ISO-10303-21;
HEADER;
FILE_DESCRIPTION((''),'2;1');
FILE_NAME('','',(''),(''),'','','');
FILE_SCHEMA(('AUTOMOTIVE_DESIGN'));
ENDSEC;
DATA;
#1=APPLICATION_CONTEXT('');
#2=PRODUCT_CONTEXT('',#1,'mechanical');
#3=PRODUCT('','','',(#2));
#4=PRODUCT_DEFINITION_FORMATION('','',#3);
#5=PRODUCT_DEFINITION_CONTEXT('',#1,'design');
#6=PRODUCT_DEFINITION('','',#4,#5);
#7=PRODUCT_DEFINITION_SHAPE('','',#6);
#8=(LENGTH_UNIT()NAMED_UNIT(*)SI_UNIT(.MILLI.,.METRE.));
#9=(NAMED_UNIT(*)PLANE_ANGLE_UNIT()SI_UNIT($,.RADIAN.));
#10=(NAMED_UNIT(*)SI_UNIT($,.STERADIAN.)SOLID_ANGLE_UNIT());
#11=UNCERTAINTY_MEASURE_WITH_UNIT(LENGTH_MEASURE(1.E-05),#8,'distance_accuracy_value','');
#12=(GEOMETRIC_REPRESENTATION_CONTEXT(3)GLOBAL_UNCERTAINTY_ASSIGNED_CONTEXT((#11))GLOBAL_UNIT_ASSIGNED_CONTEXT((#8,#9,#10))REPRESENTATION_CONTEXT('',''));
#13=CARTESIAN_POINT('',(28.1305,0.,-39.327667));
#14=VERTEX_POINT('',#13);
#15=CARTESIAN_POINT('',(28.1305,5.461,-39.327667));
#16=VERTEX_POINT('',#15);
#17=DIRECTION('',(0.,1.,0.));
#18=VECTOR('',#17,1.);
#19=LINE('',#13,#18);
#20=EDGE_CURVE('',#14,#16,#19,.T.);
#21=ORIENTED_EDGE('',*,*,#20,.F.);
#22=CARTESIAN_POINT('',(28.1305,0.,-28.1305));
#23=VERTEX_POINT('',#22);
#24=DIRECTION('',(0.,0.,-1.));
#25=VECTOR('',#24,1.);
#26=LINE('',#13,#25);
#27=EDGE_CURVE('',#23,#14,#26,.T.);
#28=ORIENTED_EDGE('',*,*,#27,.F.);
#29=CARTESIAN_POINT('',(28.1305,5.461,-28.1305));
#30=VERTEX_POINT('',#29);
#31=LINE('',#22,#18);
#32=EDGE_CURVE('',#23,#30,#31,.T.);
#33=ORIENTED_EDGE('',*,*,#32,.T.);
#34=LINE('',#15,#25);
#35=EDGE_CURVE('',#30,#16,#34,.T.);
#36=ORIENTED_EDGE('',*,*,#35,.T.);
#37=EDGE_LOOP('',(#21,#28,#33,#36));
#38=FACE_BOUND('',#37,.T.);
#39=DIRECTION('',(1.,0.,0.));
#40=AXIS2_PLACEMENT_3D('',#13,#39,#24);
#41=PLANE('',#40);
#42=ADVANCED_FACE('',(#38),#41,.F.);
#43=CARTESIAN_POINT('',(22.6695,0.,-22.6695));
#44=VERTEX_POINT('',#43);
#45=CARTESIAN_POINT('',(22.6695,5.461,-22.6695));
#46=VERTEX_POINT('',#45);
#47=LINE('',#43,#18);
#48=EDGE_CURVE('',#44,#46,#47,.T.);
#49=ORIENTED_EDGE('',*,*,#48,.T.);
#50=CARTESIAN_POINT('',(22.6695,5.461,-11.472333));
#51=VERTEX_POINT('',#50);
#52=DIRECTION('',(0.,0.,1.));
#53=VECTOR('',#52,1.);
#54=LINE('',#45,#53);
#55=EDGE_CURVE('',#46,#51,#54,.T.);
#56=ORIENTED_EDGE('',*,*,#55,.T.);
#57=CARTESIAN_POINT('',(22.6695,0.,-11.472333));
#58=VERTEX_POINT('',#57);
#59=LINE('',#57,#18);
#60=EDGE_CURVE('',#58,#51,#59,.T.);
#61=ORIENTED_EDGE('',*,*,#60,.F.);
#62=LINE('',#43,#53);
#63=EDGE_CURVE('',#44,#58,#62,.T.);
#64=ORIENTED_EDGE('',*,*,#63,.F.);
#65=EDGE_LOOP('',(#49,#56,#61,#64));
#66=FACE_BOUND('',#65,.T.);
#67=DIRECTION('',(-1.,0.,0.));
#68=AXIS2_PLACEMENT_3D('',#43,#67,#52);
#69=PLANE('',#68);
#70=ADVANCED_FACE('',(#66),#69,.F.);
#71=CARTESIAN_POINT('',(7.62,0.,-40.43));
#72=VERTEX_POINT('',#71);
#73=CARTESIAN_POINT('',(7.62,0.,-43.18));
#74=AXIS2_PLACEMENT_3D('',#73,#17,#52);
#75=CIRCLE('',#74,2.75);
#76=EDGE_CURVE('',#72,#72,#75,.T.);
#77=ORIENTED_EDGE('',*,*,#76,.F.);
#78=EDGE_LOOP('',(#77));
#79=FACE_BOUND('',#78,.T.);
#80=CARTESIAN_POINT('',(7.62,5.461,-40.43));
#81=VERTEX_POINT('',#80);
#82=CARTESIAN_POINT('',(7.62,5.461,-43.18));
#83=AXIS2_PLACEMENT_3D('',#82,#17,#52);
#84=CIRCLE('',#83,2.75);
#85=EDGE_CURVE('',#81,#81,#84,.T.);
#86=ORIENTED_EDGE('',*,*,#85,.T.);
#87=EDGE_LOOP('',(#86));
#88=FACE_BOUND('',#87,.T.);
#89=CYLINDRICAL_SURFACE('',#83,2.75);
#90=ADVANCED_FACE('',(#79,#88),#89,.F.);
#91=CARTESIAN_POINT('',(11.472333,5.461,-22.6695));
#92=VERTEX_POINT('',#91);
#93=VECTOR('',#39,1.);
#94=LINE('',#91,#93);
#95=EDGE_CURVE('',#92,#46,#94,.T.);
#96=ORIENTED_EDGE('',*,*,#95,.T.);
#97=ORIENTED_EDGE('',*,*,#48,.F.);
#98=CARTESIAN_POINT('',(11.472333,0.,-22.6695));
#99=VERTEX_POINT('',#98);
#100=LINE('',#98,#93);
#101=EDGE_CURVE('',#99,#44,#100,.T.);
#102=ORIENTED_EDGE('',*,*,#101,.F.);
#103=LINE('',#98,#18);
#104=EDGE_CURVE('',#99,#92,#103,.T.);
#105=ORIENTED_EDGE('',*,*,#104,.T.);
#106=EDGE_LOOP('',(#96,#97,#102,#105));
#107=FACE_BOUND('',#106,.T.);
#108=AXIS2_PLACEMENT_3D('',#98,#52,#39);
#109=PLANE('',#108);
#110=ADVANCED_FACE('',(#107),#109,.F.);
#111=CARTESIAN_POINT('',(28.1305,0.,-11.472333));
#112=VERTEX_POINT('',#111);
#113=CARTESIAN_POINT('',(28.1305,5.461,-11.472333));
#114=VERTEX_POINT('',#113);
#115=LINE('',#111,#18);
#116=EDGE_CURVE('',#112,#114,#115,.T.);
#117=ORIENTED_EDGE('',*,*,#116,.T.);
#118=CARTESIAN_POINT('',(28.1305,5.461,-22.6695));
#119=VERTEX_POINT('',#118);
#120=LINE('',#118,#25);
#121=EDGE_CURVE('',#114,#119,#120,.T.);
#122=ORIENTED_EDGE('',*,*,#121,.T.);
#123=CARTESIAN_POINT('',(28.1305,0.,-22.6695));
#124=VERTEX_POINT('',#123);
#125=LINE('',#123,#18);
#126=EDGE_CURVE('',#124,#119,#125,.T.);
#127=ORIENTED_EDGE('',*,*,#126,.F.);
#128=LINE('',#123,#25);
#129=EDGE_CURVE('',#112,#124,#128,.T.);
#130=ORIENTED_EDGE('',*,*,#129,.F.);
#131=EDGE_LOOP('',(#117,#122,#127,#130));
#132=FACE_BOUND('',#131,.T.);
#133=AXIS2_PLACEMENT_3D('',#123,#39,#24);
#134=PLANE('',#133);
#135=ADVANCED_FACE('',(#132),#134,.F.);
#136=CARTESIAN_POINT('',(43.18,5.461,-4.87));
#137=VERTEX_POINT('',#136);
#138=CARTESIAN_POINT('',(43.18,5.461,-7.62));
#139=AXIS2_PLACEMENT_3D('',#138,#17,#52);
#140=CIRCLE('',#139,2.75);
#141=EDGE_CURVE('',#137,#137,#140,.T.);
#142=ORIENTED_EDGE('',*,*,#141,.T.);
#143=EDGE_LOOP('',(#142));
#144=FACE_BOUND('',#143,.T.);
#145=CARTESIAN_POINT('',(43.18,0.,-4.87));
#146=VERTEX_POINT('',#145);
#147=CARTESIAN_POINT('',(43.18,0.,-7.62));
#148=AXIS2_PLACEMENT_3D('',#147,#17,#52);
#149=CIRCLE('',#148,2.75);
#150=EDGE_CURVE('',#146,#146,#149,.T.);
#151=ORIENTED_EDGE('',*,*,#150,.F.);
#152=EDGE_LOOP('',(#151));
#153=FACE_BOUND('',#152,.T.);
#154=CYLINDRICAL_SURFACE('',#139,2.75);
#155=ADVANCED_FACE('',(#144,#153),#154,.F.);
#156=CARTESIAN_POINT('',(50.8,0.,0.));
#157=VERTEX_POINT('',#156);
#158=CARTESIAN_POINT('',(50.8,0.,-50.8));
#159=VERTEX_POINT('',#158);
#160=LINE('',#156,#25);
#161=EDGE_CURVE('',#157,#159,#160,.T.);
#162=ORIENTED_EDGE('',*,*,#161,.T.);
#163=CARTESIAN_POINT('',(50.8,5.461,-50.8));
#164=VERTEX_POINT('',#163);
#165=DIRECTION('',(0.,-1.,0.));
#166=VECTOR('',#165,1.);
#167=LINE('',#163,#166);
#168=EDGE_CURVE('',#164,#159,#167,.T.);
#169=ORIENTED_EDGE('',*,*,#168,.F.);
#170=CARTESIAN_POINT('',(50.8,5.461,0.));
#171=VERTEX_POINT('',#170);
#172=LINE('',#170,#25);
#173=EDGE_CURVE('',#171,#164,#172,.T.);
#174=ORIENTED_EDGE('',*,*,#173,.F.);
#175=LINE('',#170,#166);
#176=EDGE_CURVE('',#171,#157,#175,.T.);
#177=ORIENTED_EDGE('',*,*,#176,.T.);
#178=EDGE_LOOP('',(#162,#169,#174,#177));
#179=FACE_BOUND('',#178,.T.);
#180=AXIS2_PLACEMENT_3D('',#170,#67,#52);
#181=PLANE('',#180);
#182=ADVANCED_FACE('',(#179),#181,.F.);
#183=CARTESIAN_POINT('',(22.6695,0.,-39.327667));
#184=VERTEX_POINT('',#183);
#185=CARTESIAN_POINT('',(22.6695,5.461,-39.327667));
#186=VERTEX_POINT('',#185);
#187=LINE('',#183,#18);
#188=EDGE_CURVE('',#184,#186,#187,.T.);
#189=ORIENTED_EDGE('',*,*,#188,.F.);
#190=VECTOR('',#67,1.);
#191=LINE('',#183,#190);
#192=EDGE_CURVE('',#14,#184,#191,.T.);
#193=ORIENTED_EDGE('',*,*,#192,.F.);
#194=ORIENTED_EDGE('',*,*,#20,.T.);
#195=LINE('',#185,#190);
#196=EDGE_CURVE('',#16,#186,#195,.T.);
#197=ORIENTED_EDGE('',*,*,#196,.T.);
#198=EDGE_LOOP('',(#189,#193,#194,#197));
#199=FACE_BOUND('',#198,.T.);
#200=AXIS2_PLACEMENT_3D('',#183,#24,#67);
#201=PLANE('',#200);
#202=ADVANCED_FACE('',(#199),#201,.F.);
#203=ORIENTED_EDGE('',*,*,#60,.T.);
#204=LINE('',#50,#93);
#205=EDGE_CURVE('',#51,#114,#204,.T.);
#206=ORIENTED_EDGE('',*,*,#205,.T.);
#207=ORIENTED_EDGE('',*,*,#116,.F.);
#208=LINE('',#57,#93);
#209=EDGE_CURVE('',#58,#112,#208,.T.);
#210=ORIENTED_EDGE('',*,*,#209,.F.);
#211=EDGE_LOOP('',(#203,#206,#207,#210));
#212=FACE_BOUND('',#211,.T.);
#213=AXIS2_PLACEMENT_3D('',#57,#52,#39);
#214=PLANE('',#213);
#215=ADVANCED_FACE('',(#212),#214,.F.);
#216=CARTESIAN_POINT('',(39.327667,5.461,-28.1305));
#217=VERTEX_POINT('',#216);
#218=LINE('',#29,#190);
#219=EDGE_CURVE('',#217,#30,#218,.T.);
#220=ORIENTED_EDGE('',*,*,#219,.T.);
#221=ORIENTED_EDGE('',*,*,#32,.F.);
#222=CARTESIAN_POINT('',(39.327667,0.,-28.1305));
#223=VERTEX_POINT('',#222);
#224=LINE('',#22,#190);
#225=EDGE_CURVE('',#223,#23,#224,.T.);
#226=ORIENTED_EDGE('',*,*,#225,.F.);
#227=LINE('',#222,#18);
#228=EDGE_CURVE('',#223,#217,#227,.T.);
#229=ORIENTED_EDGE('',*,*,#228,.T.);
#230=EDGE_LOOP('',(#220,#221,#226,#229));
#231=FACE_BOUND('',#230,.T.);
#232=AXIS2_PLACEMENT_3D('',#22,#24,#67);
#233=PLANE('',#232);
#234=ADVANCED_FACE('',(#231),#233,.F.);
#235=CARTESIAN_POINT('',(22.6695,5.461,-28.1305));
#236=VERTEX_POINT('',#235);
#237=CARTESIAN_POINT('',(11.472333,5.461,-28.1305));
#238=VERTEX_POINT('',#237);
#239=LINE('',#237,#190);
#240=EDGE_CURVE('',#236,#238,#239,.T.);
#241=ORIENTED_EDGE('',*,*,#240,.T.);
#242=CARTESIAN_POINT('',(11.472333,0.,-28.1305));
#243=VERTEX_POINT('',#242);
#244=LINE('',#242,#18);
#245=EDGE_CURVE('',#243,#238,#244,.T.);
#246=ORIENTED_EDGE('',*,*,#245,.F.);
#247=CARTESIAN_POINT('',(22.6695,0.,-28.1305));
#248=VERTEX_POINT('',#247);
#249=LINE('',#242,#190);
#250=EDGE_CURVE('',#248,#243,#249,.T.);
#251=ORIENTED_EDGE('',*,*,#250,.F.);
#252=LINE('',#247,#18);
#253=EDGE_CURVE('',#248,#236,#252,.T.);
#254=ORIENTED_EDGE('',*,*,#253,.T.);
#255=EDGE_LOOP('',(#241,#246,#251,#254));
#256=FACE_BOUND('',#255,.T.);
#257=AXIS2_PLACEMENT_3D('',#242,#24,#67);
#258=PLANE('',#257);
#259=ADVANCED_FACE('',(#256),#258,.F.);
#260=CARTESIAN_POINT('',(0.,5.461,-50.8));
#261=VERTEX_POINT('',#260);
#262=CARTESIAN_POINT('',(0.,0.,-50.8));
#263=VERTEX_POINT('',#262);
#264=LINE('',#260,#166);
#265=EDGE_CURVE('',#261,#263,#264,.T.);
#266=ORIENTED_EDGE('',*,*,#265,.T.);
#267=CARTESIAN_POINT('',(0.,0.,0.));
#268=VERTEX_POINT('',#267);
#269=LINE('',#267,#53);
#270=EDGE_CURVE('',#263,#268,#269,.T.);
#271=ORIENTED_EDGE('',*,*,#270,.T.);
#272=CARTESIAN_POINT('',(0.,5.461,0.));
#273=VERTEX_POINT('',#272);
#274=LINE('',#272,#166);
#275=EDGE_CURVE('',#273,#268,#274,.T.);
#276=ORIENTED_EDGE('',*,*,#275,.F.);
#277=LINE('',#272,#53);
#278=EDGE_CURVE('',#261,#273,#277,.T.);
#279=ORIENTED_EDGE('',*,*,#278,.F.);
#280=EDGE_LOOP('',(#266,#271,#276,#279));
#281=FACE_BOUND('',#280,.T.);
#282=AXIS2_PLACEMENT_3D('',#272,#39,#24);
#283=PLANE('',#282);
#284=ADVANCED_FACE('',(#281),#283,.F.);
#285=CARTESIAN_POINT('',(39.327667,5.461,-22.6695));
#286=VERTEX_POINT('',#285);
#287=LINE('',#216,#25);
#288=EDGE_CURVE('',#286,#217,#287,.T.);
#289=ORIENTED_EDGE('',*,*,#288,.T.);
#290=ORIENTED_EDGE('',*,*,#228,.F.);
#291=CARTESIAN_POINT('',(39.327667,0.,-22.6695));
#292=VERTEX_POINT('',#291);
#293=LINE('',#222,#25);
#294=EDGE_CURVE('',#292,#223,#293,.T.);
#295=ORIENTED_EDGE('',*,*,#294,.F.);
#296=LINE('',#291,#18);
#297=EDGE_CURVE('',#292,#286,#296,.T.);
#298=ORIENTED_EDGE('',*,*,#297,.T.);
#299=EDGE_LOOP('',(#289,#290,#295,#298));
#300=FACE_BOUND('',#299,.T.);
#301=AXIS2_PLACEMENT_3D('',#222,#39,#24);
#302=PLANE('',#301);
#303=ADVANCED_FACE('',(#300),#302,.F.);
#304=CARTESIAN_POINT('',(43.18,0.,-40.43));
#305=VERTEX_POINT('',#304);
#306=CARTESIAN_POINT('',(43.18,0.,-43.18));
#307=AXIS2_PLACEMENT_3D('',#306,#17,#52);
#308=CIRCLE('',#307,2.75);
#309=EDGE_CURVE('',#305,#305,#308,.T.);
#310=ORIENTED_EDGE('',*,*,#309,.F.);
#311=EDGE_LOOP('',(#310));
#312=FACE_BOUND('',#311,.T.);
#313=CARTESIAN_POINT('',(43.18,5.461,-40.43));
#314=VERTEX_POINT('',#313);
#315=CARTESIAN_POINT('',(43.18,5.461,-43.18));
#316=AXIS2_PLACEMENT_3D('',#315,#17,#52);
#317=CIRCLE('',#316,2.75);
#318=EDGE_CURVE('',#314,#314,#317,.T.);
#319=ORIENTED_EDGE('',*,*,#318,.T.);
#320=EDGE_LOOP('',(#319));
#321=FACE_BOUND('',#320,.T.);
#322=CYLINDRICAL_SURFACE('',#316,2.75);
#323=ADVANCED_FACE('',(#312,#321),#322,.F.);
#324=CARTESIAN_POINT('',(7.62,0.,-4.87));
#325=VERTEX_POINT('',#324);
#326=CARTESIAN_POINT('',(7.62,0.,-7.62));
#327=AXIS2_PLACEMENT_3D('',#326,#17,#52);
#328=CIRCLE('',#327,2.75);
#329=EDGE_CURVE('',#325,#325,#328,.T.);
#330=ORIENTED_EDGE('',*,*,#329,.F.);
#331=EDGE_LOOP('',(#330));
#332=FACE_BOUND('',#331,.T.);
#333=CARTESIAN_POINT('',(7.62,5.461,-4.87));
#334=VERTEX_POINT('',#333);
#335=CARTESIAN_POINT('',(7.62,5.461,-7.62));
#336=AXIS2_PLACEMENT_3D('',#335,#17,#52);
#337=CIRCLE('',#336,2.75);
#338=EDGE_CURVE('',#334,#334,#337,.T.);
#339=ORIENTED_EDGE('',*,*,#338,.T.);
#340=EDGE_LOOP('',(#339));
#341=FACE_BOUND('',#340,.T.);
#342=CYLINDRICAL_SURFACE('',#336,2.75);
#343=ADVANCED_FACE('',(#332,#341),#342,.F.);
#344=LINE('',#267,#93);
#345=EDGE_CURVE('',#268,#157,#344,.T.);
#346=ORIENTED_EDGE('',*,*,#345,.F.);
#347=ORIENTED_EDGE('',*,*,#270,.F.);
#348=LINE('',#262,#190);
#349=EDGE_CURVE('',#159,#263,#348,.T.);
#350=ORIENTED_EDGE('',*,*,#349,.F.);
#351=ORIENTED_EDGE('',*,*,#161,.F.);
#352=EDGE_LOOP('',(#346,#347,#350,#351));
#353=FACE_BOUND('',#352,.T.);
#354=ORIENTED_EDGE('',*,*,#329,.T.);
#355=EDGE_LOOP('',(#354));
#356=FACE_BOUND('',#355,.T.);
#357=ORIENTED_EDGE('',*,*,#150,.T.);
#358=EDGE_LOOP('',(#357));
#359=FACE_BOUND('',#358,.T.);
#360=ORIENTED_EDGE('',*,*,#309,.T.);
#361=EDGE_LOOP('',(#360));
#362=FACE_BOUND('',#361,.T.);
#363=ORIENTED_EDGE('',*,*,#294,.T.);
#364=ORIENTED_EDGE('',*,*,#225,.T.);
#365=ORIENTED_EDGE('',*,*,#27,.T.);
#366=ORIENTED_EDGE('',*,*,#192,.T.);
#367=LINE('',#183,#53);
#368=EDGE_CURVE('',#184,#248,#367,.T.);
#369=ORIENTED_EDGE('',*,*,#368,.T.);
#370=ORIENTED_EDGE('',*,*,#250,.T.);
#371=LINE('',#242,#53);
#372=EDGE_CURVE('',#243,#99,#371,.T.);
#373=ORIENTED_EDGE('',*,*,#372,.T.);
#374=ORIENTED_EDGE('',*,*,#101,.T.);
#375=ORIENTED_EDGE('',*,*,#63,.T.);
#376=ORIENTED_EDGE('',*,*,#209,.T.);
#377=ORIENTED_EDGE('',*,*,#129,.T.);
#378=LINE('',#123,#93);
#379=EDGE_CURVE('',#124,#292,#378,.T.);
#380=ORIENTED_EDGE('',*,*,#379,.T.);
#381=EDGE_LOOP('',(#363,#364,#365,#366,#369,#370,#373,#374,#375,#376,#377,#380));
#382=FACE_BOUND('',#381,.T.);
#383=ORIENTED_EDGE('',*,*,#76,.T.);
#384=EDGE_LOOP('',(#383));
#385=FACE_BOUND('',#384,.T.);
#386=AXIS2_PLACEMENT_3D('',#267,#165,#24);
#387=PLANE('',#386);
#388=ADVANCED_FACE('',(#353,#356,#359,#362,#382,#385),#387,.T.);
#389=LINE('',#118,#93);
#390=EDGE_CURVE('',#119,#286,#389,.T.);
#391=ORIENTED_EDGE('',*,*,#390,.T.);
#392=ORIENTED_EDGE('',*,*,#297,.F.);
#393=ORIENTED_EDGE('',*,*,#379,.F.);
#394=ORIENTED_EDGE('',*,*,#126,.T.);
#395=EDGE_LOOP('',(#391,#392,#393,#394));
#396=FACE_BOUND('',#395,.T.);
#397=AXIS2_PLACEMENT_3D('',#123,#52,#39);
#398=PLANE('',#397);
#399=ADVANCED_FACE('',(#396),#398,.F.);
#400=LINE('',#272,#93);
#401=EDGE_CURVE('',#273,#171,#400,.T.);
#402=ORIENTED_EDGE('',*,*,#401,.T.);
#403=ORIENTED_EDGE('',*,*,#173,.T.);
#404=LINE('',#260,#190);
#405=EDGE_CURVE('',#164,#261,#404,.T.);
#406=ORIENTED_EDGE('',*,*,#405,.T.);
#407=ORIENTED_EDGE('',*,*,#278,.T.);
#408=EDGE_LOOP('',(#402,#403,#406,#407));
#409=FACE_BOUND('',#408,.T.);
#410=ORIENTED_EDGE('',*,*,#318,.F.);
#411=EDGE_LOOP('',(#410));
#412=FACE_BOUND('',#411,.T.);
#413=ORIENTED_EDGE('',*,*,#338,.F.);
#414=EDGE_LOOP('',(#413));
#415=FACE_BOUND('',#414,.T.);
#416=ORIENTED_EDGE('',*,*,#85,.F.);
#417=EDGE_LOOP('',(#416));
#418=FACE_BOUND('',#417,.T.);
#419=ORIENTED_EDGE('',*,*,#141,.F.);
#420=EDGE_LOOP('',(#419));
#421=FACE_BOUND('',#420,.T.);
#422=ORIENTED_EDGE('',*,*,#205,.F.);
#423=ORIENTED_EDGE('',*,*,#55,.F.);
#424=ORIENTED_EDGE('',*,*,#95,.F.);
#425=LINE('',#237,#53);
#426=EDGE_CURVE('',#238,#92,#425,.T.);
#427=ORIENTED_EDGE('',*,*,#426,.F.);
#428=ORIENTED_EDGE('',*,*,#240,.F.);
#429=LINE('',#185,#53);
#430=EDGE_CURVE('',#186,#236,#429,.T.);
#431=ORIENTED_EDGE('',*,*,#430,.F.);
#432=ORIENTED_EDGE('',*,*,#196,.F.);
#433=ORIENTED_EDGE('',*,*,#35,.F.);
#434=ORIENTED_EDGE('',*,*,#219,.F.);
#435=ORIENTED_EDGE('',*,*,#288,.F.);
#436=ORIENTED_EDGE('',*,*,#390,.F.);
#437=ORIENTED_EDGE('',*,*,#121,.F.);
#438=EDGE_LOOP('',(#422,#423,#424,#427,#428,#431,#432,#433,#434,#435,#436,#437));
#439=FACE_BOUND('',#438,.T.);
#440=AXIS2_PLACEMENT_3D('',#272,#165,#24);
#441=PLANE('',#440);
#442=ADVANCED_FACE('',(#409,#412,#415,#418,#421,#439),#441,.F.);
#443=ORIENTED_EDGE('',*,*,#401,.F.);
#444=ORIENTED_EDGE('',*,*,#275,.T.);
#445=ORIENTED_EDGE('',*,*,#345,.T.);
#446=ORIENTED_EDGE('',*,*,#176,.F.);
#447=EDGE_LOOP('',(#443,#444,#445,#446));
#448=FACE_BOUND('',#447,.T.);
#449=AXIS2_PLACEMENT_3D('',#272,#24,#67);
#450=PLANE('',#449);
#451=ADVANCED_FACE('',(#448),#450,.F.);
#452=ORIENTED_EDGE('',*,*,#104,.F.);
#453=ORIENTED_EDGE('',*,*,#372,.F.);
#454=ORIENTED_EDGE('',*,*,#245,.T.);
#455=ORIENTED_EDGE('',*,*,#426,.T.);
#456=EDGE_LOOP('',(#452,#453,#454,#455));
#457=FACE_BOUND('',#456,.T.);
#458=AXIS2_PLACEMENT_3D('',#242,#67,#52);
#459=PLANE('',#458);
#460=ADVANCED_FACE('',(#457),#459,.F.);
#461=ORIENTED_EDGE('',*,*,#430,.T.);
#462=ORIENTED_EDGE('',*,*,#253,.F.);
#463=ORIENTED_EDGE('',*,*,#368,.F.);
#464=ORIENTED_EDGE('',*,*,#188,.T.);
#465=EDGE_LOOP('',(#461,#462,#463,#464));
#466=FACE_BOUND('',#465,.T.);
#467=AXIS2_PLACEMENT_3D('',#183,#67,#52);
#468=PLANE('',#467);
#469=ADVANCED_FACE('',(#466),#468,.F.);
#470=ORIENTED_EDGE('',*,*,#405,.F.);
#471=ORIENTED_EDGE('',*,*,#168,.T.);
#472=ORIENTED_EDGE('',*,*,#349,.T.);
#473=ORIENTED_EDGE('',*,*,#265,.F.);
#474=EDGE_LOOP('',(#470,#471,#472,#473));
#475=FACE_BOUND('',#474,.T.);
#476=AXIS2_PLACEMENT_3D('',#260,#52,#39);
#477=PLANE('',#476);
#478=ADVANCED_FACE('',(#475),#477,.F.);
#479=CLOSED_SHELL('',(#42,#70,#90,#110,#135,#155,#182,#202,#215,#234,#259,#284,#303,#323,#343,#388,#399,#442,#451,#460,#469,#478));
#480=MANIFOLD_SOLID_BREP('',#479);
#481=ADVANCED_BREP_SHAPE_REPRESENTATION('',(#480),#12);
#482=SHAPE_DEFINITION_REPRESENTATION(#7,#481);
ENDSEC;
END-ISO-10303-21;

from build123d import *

# Parameters (mm, degrees)
SKETCH1_W            = 50.8
SKETCH1_H            = 50.8
BOSS_EXTRUDE1_DEPTH  = 5.461
CUT_EXTRUDE1_DEPTH   = 5.461
M5_CLEARANCE_HOLE1_D = 5.5


with BuildPart() as part:
    # Sketch1 → Boss-Extrude1 (new body)
    with BuildSketch(Plane(origin=(0, 0, 0), x_dir=(1, 0, 0), z_dir=(0, 1, 0))):
        with Locations((25.4, 25.4)):
            Rectangle(SKETCH1_W, SKETCH1_H)
    extrude(amount=BOSS_EXTRUDE1_DEPTH)

    # Sketch2 → Cut-Extrude1 (cut)
    with BuildSketch(Plane(origin=(0, 5.461, 0), x_dir=(1, 0, 0), z_dir=(0, 1, 0))):
        Polygon((28.1305, 28.1305), (39.327666667, 28.1305), (39.327666667, 22.6695), (28.1305, 22.6695), (28.1305, 11.472333333), (22.6695, 11.472333333), (22.6695, 22.6695), (11.472333333, 22.6695), (11.472333333, 28.1305), (22.6695, 28.1305), (22.6695, 39.327666667), (28.1305, 39.327666667), align=None)
    extrude(amount=-CUT_EXTRUDE1_DEPTH, mode=Mode.SUBTRACT)

    # M5 Clearance Hole1 (through all)
    with Locations(Plane(origin=(0, 5.461, 0), x_dir=(1, 0, 0), z_dir=(0, 1, 0))):
        with Locations((7.62, 43.18), (43.18, 43.18), (43.18, 7.62), (7.62, 7.62)):
            Hole(M5_CLEARANCE_HOLE1_D / 2)


solid = part.part
